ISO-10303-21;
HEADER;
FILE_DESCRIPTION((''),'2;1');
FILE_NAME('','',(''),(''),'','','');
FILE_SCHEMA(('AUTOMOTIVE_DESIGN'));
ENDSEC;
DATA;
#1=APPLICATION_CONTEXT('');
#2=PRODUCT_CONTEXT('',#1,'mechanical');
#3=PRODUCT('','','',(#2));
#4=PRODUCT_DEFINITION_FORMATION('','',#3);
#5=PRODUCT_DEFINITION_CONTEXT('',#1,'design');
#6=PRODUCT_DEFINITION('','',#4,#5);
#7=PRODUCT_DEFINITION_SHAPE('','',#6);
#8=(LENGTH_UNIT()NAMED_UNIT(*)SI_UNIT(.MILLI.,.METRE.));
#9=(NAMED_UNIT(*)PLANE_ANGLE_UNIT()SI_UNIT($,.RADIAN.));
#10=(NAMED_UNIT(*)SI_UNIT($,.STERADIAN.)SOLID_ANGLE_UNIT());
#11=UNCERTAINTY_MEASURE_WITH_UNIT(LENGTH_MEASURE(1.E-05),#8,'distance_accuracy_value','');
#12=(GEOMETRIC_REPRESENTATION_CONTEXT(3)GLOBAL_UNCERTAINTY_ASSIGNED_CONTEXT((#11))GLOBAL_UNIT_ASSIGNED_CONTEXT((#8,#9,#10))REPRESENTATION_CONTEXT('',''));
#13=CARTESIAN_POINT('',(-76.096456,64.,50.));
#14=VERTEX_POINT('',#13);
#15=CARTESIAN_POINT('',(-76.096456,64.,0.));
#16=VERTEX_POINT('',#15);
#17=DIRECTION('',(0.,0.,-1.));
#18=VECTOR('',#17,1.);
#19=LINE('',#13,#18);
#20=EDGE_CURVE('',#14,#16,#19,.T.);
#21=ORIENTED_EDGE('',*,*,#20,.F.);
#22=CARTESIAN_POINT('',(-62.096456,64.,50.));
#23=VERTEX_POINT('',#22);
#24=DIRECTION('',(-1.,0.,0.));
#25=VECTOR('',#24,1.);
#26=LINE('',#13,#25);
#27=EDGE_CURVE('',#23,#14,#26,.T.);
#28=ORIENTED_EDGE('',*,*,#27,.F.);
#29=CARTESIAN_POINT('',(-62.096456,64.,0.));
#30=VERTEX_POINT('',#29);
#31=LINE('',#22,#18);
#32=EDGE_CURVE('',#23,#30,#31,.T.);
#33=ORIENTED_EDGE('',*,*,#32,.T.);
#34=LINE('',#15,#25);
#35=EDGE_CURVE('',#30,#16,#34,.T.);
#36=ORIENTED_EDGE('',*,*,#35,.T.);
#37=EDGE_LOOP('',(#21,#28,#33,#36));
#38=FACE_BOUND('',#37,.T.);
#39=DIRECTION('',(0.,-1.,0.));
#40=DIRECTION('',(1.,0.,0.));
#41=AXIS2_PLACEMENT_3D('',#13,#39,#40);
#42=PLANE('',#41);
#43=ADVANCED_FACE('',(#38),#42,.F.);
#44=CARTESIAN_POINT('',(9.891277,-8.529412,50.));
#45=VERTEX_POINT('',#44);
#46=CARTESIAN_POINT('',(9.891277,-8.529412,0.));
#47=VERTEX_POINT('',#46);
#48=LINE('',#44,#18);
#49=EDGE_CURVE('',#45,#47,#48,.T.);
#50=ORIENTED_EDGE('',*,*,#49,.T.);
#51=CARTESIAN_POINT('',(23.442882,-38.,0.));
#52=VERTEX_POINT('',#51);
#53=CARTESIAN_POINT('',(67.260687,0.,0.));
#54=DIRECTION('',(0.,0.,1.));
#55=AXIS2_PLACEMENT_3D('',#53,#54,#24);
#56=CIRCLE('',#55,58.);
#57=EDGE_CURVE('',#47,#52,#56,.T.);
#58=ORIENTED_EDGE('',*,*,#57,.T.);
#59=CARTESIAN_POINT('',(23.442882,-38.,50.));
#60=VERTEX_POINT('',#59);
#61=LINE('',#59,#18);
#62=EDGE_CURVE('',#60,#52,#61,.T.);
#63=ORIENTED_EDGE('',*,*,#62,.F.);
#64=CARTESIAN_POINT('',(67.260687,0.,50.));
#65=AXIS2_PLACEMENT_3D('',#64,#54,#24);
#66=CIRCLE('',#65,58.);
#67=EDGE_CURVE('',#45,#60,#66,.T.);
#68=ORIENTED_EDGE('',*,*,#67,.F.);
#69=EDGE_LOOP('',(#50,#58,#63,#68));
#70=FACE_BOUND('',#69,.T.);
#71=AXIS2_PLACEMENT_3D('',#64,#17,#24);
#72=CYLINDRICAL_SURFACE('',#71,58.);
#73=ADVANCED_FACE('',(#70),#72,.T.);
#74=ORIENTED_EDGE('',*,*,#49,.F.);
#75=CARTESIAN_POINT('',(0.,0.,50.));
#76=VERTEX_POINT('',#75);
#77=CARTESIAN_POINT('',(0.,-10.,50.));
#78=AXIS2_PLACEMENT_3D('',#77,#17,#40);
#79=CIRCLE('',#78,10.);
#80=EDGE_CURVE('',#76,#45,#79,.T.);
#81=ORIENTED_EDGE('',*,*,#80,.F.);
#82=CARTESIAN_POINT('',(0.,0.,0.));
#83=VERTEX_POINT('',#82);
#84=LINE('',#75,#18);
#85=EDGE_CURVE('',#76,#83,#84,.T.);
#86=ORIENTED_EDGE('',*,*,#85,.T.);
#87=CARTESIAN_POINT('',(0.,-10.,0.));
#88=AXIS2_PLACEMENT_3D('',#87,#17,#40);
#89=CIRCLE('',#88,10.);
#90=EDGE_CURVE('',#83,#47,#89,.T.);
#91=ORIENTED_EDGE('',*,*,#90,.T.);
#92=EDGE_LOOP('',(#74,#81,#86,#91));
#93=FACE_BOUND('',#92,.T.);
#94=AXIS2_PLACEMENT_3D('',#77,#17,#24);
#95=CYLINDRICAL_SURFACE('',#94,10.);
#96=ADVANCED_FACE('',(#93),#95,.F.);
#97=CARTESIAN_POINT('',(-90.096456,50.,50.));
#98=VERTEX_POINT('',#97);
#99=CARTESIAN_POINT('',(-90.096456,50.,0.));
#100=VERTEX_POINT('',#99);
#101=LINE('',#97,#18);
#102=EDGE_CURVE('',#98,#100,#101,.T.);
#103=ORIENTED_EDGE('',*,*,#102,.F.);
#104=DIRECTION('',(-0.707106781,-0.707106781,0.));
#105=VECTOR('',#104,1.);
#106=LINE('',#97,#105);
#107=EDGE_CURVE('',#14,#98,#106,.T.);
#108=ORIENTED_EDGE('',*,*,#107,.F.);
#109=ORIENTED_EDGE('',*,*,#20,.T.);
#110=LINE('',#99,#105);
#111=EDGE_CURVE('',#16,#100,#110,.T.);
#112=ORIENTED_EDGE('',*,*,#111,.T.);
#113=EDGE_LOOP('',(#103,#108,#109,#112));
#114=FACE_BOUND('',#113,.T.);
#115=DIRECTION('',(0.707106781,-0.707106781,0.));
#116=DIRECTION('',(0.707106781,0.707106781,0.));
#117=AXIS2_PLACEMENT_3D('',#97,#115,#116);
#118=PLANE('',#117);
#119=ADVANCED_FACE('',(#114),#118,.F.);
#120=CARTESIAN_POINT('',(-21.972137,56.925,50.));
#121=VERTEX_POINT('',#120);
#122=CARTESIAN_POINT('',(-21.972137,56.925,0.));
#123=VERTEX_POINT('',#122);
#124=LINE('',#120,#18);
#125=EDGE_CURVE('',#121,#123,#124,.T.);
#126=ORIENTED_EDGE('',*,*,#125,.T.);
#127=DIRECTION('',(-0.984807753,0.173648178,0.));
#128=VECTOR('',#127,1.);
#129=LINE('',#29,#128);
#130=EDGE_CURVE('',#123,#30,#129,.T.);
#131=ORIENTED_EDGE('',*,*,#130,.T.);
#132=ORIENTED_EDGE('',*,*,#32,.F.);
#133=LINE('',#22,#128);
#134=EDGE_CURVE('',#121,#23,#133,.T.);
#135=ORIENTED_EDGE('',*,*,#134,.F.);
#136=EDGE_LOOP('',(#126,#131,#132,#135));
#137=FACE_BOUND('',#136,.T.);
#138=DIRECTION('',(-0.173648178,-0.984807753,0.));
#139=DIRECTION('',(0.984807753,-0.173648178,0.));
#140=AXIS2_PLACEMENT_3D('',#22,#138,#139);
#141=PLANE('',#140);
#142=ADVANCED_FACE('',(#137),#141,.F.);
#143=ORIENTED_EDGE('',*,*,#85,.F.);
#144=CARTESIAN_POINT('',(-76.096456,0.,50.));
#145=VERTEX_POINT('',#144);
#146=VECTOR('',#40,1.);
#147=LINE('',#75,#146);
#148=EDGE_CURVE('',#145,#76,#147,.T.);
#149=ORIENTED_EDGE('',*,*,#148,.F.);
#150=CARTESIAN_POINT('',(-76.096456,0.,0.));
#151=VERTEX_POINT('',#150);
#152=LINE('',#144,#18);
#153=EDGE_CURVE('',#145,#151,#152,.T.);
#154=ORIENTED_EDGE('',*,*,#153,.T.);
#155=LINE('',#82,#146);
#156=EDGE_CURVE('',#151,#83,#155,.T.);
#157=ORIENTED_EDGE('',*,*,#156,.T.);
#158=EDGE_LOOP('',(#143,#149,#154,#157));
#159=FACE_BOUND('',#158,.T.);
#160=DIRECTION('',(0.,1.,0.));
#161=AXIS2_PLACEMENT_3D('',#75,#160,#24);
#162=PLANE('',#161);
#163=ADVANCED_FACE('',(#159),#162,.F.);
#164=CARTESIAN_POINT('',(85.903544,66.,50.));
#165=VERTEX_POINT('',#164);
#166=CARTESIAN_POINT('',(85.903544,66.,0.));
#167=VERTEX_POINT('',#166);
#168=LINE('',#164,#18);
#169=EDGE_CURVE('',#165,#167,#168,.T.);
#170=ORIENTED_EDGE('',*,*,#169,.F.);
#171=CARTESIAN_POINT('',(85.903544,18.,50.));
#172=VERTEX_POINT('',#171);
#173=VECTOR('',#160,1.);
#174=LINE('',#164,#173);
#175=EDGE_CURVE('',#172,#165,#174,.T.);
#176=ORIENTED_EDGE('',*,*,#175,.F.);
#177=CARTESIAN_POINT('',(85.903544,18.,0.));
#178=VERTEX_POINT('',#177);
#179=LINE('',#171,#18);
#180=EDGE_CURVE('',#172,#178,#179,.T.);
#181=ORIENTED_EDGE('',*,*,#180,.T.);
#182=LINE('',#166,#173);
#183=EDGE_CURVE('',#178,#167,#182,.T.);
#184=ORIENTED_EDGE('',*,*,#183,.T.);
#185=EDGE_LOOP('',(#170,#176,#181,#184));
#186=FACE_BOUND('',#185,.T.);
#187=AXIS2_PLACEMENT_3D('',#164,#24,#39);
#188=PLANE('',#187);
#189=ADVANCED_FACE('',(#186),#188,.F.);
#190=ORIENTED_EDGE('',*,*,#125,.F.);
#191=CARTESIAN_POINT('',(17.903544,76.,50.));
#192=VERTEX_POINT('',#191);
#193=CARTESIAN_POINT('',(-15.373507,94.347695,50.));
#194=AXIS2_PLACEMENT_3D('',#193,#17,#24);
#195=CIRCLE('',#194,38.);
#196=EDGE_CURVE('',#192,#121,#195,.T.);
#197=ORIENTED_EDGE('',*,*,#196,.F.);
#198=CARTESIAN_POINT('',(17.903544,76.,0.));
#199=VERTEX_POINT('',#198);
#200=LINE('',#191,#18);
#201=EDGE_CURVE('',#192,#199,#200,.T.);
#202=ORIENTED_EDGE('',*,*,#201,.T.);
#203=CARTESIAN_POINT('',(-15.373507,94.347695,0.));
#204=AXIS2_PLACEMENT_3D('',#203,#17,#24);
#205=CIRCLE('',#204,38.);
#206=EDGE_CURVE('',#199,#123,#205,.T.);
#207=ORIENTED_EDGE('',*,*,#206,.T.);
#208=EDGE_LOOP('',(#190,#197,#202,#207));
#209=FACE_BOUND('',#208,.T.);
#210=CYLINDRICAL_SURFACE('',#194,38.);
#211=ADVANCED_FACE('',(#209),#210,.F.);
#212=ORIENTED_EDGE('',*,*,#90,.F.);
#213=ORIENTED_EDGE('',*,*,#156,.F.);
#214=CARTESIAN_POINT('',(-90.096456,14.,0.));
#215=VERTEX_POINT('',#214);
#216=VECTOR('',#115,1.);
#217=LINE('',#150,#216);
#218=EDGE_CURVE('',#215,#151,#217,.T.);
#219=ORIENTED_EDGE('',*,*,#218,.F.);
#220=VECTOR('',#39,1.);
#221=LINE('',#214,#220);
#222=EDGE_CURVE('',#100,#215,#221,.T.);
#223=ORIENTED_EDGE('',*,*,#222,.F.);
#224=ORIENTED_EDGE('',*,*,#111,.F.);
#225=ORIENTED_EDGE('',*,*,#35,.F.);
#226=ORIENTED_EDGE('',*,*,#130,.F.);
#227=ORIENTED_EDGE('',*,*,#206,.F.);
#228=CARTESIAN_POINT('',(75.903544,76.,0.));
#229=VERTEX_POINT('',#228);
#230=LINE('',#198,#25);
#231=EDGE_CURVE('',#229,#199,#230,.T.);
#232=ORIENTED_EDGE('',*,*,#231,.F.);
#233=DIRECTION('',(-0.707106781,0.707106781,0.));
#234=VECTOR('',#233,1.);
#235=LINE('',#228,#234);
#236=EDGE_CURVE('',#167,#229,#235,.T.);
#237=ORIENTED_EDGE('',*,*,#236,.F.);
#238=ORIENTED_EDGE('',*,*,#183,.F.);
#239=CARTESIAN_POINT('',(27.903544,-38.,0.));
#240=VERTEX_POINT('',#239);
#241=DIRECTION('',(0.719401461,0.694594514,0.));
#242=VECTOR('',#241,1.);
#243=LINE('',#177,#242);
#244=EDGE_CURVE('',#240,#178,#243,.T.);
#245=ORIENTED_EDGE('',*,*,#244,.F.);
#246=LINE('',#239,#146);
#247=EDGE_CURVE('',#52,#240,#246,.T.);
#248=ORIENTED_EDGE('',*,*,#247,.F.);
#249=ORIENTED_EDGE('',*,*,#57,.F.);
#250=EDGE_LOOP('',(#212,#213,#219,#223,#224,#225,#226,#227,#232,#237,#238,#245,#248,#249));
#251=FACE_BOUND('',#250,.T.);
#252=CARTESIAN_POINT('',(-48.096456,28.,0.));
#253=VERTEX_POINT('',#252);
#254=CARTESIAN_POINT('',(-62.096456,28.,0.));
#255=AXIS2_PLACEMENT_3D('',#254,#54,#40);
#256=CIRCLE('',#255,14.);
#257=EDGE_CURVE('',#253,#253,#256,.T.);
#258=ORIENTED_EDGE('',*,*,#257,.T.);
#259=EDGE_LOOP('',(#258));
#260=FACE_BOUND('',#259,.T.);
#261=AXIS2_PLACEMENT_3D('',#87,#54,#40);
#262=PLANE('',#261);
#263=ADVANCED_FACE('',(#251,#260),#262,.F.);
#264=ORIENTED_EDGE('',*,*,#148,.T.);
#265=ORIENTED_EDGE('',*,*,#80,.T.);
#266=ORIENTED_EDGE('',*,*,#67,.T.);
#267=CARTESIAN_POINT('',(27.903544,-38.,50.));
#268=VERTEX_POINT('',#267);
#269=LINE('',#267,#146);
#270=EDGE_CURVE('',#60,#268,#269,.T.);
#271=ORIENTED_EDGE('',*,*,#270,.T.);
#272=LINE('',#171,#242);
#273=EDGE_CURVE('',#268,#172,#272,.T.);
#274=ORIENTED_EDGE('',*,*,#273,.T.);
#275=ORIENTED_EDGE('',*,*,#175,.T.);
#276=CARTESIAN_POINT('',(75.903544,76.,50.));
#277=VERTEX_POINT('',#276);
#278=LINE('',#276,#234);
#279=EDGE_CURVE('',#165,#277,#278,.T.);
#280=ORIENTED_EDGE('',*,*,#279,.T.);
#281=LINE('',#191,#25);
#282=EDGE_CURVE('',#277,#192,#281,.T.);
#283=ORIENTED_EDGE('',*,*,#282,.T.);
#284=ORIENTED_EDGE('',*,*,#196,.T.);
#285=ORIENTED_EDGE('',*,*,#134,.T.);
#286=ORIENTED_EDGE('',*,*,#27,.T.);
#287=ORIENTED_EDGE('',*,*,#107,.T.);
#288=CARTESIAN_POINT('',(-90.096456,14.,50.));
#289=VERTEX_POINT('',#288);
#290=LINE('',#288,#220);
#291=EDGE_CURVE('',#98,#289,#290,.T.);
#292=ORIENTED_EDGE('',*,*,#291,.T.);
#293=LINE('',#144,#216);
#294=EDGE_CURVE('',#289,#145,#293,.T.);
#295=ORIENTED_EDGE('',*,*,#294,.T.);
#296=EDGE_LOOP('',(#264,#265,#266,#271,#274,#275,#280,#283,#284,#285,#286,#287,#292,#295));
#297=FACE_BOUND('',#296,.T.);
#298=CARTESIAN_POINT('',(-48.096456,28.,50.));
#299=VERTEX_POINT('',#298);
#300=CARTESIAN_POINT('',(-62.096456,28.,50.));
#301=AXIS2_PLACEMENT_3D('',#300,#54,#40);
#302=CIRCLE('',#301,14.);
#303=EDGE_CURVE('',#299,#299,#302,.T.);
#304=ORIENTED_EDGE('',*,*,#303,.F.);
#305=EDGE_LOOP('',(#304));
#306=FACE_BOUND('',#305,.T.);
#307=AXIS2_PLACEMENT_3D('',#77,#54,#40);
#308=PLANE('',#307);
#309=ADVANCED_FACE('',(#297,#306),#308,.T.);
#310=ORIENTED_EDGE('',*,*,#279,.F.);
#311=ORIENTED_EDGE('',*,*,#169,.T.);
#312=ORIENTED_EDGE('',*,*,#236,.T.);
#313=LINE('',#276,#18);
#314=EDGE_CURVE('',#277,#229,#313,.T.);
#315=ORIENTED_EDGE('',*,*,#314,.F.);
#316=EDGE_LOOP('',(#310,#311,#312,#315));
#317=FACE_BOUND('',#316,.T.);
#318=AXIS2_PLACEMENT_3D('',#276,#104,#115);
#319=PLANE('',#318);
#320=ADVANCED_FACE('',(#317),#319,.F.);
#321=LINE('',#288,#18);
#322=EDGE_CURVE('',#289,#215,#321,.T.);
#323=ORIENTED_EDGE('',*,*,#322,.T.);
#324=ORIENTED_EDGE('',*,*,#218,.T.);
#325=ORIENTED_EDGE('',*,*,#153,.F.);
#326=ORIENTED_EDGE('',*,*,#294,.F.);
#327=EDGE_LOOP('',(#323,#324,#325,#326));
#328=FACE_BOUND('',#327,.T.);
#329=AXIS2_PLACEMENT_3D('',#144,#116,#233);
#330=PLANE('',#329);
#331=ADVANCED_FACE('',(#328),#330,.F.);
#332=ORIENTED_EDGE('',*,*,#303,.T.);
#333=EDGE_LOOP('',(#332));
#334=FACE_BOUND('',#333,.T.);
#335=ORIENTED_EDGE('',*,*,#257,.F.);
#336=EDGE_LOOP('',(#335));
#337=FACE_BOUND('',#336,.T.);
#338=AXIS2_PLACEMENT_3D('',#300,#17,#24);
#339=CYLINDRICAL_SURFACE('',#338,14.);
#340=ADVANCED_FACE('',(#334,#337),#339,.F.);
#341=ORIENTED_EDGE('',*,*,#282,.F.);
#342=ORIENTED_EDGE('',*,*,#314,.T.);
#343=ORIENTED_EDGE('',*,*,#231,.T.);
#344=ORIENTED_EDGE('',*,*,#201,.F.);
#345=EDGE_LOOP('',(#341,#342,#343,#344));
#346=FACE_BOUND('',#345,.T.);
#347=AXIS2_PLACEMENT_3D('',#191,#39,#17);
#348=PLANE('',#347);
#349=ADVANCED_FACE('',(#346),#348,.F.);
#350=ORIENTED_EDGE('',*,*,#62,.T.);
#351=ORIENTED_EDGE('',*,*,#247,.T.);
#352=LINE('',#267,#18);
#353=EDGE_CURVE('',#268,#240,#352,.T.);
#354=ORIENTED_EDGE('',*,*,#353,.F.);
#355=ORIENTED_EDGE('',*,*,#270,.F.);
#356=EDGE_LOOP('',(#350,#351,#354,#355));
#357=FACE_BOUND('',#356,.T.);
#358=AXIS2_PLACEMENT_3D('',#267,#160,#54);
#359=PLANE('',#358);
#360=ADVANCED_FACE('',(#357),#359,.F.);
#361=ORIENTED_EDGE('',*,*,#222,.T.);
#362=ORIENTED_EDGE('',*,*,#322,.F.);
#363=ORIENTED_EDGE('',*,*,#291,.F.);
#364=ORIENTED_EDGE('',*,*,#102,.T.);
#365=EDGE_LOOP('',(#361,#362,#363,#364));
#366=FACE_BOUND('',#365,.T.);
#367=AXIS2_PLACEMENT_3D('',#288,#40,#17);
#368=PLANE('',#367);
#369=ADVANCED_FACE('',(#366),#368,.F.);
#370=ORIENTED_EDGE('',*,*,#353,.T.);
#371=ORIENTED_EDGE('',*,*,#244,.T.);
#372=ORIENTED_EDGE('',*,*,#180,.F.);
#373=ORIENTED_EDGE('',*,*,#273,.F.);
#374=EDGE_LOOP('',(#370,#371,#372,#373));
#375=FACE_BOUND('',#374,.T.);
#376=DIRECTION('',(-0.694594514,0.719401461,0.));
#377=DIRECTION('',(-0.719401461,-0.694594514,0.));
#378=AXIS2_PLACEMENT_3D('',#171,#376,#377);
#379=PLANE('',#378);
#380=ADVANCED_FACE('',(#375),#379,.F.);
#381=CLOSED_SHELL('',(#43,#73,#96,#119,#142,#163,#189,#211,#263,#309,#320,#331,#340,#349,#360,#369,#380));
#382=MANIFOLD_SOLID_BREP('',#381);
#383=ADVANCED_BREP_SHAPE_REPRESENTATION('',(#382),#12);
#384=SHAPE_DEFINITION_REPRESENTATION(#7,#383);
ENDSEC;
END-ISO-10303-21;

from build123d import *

# Parameters (mm, degrees)
SKETCH1_R           = 14
BOSS_EXTRUDE1_DEPTH = 50


with BuildPart() as part:
    # Sketch1 → Boss-Extrude1 (new body)
    with BuildSketch(Plane.XY):
        with BuildLine():
            Line((0, 0), (-76.096455974, 0))
            Line((-76.096455974, 0), (-90.096455974, 14))
            Line((-90.096455974, 14), (-90.096455974, 50))
            Line((-90.096455974, 50), (-76.096455974, 64))
            Line((-76.096455974, 64), (-62.096455974, 64))
            Line((-62.096455974, 64), (-21.972137383, 56.92500005))
            ThreePointArc((-21.972137383, 56.92500005), (1.024616064, 60.067940114), (17.903544026, 76))
            Line((17.903544026, 76), (75.903544026, 76))
            Line((75.903544026, 76), (85.903544026, 66))
            Line((85.903544026, 66), (85.903544026, 18))
            Line((85.903544026, 18), (27.903544026, -38))
            Line((27.903544026, -38), (23.442882283, -38))
            ThreePointArc((23.442882283, -38), (14.564937889, -24.231344122), (9.891277483, -8.529411765))
            ThreePointArc((9.891277483, -8.529411765), (6.530471562, -2.426827536), (0, 0))
        make_face()
        with Locations((-62.096455974, 28)):
            Circle(SKETCH1_R, mode=Mode.SUBTRACT)
    extrude(amount=BOSS_EXTRUDE1_DEPTH)


solid = part.part
